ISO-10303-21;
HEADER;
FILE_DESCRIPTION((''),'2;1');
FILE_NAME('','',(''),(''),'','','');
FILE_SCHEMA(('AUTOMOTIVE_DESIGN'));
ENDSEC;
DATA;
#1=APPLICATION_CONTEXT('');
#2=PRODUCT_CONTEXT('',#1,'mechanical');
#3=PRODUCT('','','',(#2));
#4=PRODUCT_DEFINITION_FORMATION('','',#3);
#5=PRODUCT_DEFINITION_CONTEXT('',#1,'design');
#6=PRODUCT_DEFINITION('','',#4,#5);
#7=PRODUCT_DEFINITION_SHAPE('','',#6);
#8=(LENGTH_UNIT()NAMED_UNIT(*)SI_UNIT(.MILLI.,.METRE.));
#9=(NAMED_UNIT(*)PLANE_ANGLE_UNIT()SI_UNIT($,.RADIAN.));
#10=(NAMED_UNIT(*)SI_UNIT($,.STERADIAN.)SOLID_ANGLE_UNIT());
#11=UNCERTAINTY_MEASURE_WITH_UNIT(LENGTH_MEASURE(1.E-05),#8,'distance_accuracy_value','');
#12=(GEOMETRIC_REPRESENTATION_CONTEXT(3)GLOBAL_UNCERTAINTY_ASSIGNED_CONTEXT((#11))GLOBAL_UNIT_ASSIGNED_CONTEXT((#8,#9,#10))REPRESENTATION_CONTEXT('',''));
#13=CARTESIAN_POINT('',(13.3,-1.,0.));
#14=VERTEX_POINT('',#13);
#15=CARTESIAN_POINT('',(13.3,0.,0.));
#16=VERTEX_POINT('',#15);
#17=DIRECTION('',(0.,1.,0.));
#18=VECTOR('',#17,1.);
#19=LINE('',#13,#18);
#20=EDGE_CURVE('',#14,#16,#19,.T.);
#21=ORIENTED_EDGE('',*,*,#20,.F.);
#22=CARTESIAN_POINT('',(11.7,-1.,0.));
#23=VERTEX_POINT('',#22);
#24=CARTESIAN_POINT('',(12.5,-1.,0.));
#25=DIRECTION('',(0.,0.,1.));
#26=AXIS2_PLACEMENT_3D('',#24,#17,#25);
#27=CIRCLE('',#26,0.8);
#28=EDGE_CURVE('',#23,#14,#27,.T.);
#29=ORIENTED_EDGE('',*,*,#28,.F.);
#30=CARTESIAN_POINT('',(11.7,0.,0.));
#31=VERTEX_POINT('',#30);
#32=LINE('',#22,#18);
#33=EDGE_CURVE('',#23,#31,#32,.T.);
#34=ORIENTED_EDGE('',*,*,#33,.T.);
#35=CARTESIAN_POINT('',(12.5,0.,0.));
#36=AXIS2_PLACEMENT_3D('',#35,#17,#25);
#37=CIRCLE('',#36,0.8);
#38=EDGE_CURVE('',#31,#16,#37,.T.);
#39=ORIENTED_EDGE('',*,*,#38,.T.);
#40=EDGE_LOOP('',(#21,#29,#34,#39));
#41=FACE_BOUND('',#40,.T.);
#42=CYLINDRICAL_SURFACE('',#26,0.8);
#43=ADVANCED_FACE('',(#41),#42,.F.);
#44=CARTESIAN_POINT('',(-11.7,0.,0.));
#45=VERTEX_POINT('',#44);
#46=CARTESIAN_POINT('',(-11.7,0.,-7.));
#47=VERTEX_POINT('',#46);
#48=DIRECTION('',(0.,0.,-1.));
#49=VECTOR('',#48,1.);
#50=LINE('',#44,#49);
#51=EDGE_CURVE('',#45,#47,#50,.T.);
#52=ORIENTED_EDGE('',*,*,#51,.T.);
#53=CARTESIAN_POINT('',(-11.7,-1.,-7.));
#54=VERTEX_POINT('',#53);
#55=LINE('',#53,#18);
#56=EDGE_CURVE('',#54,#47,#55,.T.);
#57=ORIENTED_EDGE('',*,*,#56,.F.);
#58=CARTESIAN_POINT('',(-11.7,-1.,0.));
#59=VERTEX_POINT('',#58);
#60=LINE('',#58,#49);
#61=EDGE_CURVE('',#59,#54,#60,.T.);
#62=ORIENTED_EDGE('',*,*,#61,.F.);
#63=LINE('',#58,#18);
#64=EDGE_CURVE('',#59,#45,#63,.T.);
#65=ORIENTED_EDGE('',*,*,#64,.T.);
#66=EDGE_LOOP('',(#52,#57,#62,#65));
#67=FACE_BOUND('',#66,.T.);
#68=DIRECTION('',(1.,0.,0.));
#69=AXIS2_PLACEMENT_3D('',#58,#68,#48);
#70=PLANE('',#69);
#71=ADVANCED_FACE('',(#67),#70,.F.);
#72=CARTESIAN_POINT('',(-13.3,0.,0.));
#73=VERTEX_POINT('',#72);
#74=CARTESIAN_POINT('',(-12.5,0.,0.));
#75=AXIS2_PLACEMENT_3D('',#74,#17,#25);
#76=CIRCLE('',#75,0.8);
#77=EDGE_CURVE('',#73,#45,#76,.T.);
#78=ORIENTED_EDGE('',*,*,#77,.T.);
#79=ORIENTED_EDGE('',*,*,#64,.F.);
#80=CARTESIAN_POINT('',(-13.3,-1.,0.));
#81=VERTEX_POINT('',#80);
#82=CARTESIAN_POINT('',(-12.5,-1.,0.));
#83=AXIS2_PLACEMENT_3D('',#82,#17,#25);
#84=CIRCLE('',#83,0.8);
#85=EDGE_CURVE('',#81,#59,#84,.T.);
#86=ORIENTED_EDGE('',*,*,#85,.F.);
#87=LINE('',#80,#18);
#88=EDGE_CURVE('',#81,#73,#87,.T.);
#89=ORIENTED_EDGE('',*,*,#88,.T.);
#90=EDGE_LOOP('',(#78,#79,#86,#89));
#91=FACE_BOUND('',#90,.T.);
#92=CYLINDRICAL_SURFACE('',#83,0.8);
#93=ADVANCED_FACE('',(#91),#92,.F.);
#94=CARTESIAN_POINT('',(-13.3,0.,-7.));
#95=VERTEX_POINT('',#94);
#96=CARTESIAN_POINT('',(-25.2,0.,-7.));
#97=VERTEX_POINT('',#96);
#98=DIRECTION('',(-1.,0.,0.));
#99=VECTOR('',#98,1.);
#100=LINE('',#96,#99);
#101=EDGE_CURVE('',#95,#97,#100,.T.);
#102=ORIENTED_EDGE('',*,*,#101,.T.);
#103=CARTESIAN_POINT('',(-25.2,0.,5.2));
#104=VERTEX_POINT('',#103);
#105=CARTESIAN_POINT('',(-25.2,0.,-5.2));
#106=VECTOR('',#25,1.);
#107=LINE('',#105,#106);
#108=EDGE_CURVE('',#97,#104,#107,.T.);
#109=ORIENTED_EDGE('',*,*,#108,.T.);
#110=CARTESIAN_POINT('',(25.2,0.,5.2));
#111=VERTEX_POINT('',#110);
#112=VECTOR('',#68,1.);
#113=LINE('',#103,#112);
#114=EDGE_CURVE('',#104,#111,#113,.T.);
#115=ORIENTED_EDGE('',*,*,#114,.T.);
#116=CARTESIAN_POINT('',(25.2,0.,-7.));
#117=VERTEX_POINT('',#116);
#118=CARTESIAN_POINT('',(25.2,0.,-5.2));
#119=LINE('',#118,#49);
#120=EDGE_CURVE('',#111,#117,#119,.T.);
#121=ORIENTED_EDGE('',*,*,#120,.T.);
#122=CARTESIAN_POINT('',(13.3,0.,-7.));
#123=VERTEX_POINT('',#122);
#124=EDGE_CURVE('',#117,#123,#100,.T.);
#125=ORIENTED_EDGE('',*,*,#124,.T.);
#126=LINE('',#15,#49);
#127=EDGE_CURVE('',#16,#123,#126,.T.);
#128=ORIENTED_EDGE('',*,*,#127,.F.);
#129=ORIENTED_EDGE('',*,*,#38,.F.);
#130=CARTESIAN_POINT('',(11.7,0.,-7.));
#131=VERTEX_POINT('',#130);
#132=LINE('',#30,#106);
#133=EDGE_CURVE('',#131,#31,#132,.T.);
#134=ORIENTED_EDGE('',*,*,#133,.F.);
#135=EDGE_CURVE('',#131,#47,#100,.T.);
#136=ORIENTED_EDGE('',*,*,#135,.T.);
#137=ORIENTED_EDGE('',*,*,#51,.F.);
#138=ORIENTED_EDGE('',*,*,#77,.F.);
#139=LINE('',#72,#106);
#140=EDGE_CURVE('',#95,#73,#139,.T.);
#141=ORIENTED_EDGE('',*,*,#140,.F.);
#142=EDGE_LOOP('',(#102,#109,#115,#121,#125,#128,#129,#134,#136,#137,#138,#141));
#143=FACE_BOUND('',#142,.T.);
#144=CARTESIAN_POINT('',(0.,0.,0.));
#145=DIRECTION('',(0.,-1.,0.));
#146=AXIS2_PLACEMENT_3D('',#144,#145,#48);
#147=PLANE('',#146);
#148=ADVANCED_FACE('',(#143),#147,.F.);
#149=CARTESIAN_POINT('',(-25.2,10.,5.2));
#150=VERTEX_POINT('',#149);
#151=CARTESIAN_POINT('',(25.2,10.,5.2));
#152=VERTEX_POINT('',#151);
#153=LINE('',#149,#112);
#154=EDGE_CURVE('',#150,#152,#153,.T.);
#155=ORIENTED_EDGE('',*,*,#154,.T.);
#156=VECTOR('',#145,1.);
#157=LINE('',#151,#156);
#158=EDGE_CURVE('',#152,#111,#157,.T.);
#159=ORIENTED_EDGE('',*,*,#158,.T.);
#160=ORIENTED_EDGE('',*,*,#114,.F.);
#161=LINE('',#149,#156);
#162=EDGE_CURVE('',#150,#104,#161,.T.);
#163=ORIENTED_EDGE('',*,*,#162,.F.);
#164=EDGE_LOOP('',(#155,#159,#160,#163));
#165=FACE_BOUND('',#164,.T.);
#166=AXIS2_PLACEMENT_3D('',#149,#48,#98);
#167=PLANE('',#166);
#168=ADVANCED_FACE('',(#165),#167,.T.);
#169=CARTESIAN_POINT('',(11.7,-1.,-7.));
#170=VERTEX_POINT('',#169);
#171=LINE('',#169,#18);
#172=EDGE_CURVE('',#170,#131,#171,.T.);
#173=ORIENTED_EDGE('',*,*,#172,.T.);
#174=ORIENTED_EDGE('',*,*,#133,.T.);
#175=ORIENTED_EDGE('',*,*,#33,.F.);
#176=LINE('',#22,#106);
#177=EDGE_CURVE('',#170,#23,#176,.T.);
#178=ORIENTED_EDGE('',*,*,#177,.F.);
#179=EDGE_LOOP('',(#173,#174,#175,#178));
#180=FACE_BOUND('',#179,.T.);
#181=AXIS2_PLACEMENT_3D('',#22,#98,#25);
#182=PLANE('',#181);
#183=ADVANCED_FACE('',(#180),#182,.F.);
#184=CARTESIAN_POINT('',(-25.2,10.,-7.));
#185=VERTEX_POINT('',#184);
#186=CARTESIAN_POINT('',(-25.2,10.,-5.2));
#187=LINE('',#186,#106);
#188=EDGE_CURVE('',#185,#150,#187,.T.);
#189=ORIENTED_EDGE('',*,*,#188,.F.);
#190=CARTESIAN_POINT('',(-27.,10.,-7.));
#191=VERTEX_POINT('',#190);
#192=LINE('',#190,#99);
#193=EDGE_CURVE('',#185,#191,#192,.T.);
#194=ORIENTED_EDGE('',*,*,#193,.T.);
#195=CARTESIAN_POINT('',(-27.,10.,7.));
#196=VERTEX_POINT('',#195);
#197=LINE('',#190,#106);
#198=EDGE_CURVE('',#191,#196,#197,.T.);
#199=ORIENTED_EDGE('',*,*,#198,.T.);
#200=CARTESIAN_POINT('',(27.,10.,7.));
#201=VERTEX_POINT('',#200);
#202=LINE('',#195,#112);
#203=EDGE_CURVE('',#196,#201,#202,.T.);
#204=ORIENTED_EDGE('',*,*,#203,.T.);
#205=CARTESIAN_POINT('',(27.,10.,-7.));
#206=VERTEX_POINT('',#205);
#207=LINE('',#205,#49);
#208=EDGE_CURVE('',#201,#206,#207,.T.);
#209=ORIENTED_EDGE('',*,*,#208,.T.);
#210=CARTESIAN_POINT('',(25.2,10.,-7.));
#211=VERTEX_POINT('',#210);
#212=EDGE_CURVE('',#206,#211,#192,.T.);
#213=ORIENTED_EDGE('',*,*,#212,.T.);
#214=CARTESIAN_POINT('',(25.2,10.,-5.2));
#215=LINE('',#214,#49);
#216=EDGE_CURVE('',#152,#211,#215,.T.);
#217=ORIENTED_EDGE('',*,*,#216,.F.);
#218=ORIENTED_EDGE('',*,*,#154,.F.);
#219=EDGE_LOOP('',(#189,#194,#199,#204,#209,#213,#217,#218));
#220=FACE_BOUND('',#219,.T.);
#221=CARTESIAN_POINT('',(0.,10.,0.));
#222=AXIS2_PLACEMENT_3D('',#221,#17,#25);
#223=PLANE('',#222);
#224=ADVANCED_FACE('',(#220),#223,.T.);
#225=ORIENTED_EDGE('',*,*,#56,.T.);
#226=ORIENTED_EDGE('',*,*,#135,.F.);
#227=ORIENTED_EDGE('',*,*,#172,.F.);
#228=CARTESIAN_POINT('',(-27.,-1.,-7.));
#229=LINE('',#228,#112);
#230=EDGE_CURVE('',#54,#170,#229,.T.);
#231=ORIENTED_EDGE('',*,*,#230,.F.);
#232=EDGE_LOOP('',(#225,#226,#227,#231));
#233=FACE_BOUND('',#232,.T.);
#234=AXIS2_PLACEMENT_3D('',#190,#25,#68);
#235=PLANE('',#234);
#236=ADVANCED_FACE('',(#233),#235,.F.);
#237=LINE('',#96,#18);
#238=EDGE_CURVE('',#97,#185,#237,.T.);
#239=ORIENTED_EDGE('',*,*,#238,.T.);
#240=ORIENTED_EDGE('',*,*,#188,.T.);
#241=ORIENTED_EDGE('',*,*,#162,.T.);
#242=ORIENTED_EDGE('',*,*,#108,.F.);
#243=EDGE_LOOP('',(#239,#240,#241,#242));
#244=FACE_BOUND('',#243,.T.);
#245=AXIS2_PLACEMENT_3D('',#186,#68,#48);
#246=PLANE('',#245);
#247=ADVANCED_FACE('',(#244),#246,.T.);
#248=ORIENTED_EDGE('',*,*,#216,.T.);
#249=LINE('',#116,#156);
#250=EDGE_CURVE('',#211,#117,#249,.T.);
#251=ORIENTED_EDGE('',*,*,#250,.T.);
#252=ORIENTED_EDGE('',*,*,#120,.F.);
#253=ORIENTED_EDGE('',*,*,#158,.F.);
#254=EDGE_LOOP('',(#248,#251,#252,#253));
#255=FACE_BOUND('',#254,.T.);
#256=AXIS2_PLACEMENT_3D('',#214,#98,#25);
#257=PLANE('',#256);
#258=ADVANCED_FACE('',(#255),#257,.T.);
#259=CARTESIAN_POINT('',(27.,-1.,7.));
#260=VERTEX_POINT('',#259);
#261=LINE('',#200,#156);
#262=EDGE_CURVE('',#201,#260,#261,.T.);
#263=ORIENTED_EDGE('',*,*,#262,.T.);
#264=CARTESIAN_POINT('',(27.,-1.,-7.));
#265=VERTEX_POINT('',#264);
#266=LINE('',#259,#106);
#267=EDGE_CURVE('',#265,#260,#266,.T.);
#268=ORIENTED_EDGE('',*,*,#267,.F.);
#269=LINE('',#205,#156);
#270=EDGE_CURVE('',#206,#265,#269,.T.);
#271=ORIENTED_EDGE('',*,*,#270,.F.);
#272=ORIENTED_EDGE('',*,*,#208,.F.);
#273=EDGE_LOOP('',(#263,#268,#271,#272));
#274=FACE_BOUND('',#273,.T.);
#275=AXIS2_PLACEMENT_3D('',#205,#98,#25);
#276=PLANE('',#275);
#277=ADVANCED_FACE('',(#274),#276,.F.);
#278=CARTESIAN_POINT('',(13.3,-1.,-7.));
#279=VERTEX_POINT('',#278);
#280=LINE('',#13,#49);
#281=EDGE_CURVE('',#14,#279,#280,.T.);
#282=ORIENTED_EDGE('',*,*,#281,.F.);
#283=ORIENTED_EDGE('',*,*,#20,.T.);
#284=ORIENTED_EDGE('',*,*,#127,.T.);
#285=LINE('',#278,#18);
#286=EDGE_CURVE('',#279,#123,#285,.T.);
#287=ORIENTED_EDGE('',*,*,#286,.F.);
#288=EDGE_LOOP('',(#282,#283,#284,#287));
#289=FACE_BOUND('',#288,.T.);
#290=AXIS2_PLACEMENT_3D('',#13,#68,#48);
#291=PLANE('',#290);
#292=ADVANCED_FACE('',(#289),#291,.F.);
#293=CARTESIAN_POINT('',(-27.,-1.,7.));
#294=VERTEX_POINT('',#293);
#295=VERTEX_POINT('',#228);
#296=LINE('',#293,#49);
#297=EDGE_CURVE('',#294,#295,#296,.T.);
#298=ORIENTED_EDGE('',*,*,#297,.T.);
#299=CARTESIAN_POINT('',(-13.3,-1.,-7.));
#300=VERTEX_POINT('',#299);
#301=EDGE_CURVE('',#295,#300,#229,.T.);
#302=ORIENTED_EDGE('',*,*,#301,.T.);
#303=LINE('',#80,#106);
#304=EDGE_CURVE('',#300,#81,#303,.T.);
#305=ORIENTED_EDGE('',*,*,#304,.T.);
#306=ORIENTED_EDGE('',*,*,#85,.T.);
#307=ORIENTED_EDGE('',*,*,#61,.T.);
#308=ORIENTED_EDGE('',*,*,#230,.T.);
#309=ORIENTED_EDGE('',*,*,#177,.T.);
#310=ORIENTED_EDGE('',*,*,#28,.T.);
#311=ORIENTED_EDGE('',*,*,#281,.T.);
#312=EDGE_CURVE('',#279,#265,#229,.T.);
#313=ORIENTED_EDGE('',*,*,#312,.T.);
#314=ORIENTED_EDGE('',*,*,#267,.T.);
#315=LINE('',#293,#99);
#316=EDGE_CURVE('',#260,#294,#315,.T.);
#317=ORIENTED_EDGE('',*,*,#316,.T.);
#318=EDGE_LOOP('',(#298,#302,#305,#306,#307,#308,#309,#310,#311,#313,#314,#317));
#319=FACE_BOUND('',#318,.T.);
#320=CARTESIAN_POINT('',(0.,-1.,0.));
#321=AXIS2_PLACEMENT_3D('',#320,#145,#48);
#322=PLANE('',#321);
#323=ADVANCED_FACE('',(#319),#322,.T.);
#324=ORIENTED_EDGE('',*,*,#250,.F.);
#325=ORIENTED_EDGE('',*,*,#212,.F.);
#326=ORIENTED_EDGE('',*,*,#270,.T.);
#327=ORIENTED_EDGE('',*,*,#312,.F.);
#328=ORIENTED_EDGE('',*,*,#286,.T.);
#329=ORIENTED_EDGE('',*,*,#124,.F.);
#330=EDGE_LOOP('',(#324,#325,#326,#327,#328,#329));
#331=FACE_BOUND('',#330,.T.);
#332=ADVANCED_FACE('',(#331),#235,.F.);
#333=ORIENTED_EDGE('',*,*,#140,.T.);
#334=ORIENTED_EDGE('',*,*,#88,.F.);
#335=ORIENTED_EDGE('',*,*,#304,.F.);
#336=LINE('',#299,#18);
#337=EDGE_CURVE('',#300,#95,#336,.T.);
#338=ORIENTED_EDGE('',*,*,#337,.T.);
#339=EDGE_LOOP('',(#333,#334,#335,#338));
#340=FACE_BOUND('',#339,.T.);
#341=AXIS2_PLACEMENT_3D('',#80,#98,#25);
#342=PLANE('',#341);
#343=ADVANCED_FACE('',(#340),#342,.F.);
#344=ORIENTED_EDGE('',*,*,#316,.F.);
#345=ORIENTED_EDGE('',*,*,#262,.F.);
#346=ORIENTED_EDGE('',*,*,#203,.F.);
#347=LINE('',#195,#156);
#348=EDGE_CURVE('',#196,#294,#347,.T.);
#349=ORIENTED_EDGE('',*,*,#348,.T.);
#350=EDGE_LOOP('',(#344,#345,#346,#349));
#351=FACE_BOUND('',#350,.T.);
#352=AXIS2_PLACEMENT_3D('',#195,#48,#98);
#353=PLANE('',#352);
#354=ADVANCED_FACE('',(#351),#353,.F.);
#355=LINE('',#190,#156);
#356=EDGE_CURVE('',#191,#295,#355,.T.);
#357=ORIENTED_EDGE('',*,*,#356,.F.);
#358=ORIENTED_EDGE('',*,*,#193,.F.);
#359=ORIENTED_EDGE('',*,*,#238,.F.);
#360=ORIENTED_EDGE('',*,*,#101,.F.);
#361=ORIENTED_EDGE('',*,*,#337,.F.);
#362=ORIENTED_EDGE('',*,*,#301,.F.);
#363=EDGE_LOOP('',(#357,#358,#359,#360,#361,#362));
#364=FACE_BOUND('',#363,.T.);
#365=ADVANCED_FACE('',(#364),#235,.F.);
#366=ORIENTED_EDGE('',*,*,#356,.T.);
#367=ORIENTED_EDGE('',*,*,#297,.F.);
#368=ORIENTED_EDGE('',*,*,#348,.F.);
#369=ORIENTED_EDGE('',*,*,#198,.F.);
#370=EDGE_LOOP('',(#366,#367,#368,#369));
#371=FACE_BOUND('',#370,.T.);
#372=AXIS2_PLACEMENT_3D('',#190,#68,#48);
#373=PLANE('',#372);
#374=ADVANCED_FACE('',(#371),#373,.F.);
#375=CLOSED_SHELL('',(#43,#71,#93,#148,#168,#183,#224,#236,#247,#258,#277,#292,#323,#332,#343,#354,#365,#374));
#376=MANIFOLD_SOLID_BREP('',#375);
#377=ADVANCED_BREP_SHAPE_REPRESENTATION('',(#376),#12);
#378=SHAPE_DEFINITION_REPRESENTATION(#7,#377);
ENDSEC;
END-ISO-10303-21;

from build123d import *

# Parameters (mm, degrees)
ESQUISSE1_W             = 54
ESQUISSE1_H             = 14
ESQUISSE1_W_2           = 50.4
ESQUISSE1_H_2           = 10.4
BOSS_EXTRU_1_DEPTH      = 10
ESQUISSE2_W             = 54
ESQUISSE2_H             = 14
BOSS_EXTRU_2_DEPTH      = 1
ENL_V_MAT_EXTRU_1_DEPTH = 1
ESQUISSE4_W             = 50.4
ESQUISSE4_H             = 10
ENL_V_MAT_EXTRU_2_DEPTH = 1.8


with BuildPart() as part:
    # Esquisse1 → Boss.-Extru.1 (new body)
    with BuildSketch(Plane(origin=(0, 0, 0), x_dir=(1, 0, 0), z_dir=(0, 1, 0))):
        Rectangle(ESQUISSE1_W, ESQUISSE1_H)
        Rectangle(ESQUISSE1_W_2, ESQUISSE1_H_2, mode=Mode.SUBTRACT)
    extrude(amount=BOSS_EXTRU_1_DEPTH)

    # Esquisse2 → Boss.-Extru.2 (add)
    with BuildSketch(Plane(origin=(0, 0, 0), x_dir=(-1, 0, 0), z_dir=(0, -1, 0))):
        Rectangle(ESQUISSE2_W, ESQUISSE2_H)
    extrude(amount=BOSS_EXTRU_2_DEPTH)

    # Esquisse3 → Enlèv. mat.-Extru.1 (cut)
    with BuildSketch(Plane(origin=(0, 0, 0), x_dir=(1, 0, 0), z_dir=(0, 1, 0))):
        with BuildLine():
            Line((-13.3, 0), (-13.3, 7))
            Line((-13.3, 7), (-11.7, 7))
            Line((-11.7, 7), (-11.7, 0))
            ThreePointArc((-11.7, 0), (-12.5, -0.8), (-13.3, 0))
        make_face()
        with BuildLine():
            Line((11.7, 0), (11.7, 7))
            Line((11.7, 7), (13.3, 7))
            Line((13.3, 7), (13.3, 0))
            ThreePointArc((13.3, 0), (12.5, -0.8), (11.7, 0))
        make_face()
    extrude(amount=-ENL_V_MAT_EXTRU_1_DEPTH, mode=Mode.SUBTRACT)

    # Esquisse4 → Enlèv. mat.-Extru.2 (cut)
    with BuildSketch(Plane.XY.offset(-5.2)):
        with Locations((0, 5)):
            Rectangle(ESQUISSE4_W, ESQUISSE4_H)
    extrude(amount=-ENL_V_MAT_EXTRU_2_DEPTH, mode=Mode.SUBTRACT)


solid = part.part
